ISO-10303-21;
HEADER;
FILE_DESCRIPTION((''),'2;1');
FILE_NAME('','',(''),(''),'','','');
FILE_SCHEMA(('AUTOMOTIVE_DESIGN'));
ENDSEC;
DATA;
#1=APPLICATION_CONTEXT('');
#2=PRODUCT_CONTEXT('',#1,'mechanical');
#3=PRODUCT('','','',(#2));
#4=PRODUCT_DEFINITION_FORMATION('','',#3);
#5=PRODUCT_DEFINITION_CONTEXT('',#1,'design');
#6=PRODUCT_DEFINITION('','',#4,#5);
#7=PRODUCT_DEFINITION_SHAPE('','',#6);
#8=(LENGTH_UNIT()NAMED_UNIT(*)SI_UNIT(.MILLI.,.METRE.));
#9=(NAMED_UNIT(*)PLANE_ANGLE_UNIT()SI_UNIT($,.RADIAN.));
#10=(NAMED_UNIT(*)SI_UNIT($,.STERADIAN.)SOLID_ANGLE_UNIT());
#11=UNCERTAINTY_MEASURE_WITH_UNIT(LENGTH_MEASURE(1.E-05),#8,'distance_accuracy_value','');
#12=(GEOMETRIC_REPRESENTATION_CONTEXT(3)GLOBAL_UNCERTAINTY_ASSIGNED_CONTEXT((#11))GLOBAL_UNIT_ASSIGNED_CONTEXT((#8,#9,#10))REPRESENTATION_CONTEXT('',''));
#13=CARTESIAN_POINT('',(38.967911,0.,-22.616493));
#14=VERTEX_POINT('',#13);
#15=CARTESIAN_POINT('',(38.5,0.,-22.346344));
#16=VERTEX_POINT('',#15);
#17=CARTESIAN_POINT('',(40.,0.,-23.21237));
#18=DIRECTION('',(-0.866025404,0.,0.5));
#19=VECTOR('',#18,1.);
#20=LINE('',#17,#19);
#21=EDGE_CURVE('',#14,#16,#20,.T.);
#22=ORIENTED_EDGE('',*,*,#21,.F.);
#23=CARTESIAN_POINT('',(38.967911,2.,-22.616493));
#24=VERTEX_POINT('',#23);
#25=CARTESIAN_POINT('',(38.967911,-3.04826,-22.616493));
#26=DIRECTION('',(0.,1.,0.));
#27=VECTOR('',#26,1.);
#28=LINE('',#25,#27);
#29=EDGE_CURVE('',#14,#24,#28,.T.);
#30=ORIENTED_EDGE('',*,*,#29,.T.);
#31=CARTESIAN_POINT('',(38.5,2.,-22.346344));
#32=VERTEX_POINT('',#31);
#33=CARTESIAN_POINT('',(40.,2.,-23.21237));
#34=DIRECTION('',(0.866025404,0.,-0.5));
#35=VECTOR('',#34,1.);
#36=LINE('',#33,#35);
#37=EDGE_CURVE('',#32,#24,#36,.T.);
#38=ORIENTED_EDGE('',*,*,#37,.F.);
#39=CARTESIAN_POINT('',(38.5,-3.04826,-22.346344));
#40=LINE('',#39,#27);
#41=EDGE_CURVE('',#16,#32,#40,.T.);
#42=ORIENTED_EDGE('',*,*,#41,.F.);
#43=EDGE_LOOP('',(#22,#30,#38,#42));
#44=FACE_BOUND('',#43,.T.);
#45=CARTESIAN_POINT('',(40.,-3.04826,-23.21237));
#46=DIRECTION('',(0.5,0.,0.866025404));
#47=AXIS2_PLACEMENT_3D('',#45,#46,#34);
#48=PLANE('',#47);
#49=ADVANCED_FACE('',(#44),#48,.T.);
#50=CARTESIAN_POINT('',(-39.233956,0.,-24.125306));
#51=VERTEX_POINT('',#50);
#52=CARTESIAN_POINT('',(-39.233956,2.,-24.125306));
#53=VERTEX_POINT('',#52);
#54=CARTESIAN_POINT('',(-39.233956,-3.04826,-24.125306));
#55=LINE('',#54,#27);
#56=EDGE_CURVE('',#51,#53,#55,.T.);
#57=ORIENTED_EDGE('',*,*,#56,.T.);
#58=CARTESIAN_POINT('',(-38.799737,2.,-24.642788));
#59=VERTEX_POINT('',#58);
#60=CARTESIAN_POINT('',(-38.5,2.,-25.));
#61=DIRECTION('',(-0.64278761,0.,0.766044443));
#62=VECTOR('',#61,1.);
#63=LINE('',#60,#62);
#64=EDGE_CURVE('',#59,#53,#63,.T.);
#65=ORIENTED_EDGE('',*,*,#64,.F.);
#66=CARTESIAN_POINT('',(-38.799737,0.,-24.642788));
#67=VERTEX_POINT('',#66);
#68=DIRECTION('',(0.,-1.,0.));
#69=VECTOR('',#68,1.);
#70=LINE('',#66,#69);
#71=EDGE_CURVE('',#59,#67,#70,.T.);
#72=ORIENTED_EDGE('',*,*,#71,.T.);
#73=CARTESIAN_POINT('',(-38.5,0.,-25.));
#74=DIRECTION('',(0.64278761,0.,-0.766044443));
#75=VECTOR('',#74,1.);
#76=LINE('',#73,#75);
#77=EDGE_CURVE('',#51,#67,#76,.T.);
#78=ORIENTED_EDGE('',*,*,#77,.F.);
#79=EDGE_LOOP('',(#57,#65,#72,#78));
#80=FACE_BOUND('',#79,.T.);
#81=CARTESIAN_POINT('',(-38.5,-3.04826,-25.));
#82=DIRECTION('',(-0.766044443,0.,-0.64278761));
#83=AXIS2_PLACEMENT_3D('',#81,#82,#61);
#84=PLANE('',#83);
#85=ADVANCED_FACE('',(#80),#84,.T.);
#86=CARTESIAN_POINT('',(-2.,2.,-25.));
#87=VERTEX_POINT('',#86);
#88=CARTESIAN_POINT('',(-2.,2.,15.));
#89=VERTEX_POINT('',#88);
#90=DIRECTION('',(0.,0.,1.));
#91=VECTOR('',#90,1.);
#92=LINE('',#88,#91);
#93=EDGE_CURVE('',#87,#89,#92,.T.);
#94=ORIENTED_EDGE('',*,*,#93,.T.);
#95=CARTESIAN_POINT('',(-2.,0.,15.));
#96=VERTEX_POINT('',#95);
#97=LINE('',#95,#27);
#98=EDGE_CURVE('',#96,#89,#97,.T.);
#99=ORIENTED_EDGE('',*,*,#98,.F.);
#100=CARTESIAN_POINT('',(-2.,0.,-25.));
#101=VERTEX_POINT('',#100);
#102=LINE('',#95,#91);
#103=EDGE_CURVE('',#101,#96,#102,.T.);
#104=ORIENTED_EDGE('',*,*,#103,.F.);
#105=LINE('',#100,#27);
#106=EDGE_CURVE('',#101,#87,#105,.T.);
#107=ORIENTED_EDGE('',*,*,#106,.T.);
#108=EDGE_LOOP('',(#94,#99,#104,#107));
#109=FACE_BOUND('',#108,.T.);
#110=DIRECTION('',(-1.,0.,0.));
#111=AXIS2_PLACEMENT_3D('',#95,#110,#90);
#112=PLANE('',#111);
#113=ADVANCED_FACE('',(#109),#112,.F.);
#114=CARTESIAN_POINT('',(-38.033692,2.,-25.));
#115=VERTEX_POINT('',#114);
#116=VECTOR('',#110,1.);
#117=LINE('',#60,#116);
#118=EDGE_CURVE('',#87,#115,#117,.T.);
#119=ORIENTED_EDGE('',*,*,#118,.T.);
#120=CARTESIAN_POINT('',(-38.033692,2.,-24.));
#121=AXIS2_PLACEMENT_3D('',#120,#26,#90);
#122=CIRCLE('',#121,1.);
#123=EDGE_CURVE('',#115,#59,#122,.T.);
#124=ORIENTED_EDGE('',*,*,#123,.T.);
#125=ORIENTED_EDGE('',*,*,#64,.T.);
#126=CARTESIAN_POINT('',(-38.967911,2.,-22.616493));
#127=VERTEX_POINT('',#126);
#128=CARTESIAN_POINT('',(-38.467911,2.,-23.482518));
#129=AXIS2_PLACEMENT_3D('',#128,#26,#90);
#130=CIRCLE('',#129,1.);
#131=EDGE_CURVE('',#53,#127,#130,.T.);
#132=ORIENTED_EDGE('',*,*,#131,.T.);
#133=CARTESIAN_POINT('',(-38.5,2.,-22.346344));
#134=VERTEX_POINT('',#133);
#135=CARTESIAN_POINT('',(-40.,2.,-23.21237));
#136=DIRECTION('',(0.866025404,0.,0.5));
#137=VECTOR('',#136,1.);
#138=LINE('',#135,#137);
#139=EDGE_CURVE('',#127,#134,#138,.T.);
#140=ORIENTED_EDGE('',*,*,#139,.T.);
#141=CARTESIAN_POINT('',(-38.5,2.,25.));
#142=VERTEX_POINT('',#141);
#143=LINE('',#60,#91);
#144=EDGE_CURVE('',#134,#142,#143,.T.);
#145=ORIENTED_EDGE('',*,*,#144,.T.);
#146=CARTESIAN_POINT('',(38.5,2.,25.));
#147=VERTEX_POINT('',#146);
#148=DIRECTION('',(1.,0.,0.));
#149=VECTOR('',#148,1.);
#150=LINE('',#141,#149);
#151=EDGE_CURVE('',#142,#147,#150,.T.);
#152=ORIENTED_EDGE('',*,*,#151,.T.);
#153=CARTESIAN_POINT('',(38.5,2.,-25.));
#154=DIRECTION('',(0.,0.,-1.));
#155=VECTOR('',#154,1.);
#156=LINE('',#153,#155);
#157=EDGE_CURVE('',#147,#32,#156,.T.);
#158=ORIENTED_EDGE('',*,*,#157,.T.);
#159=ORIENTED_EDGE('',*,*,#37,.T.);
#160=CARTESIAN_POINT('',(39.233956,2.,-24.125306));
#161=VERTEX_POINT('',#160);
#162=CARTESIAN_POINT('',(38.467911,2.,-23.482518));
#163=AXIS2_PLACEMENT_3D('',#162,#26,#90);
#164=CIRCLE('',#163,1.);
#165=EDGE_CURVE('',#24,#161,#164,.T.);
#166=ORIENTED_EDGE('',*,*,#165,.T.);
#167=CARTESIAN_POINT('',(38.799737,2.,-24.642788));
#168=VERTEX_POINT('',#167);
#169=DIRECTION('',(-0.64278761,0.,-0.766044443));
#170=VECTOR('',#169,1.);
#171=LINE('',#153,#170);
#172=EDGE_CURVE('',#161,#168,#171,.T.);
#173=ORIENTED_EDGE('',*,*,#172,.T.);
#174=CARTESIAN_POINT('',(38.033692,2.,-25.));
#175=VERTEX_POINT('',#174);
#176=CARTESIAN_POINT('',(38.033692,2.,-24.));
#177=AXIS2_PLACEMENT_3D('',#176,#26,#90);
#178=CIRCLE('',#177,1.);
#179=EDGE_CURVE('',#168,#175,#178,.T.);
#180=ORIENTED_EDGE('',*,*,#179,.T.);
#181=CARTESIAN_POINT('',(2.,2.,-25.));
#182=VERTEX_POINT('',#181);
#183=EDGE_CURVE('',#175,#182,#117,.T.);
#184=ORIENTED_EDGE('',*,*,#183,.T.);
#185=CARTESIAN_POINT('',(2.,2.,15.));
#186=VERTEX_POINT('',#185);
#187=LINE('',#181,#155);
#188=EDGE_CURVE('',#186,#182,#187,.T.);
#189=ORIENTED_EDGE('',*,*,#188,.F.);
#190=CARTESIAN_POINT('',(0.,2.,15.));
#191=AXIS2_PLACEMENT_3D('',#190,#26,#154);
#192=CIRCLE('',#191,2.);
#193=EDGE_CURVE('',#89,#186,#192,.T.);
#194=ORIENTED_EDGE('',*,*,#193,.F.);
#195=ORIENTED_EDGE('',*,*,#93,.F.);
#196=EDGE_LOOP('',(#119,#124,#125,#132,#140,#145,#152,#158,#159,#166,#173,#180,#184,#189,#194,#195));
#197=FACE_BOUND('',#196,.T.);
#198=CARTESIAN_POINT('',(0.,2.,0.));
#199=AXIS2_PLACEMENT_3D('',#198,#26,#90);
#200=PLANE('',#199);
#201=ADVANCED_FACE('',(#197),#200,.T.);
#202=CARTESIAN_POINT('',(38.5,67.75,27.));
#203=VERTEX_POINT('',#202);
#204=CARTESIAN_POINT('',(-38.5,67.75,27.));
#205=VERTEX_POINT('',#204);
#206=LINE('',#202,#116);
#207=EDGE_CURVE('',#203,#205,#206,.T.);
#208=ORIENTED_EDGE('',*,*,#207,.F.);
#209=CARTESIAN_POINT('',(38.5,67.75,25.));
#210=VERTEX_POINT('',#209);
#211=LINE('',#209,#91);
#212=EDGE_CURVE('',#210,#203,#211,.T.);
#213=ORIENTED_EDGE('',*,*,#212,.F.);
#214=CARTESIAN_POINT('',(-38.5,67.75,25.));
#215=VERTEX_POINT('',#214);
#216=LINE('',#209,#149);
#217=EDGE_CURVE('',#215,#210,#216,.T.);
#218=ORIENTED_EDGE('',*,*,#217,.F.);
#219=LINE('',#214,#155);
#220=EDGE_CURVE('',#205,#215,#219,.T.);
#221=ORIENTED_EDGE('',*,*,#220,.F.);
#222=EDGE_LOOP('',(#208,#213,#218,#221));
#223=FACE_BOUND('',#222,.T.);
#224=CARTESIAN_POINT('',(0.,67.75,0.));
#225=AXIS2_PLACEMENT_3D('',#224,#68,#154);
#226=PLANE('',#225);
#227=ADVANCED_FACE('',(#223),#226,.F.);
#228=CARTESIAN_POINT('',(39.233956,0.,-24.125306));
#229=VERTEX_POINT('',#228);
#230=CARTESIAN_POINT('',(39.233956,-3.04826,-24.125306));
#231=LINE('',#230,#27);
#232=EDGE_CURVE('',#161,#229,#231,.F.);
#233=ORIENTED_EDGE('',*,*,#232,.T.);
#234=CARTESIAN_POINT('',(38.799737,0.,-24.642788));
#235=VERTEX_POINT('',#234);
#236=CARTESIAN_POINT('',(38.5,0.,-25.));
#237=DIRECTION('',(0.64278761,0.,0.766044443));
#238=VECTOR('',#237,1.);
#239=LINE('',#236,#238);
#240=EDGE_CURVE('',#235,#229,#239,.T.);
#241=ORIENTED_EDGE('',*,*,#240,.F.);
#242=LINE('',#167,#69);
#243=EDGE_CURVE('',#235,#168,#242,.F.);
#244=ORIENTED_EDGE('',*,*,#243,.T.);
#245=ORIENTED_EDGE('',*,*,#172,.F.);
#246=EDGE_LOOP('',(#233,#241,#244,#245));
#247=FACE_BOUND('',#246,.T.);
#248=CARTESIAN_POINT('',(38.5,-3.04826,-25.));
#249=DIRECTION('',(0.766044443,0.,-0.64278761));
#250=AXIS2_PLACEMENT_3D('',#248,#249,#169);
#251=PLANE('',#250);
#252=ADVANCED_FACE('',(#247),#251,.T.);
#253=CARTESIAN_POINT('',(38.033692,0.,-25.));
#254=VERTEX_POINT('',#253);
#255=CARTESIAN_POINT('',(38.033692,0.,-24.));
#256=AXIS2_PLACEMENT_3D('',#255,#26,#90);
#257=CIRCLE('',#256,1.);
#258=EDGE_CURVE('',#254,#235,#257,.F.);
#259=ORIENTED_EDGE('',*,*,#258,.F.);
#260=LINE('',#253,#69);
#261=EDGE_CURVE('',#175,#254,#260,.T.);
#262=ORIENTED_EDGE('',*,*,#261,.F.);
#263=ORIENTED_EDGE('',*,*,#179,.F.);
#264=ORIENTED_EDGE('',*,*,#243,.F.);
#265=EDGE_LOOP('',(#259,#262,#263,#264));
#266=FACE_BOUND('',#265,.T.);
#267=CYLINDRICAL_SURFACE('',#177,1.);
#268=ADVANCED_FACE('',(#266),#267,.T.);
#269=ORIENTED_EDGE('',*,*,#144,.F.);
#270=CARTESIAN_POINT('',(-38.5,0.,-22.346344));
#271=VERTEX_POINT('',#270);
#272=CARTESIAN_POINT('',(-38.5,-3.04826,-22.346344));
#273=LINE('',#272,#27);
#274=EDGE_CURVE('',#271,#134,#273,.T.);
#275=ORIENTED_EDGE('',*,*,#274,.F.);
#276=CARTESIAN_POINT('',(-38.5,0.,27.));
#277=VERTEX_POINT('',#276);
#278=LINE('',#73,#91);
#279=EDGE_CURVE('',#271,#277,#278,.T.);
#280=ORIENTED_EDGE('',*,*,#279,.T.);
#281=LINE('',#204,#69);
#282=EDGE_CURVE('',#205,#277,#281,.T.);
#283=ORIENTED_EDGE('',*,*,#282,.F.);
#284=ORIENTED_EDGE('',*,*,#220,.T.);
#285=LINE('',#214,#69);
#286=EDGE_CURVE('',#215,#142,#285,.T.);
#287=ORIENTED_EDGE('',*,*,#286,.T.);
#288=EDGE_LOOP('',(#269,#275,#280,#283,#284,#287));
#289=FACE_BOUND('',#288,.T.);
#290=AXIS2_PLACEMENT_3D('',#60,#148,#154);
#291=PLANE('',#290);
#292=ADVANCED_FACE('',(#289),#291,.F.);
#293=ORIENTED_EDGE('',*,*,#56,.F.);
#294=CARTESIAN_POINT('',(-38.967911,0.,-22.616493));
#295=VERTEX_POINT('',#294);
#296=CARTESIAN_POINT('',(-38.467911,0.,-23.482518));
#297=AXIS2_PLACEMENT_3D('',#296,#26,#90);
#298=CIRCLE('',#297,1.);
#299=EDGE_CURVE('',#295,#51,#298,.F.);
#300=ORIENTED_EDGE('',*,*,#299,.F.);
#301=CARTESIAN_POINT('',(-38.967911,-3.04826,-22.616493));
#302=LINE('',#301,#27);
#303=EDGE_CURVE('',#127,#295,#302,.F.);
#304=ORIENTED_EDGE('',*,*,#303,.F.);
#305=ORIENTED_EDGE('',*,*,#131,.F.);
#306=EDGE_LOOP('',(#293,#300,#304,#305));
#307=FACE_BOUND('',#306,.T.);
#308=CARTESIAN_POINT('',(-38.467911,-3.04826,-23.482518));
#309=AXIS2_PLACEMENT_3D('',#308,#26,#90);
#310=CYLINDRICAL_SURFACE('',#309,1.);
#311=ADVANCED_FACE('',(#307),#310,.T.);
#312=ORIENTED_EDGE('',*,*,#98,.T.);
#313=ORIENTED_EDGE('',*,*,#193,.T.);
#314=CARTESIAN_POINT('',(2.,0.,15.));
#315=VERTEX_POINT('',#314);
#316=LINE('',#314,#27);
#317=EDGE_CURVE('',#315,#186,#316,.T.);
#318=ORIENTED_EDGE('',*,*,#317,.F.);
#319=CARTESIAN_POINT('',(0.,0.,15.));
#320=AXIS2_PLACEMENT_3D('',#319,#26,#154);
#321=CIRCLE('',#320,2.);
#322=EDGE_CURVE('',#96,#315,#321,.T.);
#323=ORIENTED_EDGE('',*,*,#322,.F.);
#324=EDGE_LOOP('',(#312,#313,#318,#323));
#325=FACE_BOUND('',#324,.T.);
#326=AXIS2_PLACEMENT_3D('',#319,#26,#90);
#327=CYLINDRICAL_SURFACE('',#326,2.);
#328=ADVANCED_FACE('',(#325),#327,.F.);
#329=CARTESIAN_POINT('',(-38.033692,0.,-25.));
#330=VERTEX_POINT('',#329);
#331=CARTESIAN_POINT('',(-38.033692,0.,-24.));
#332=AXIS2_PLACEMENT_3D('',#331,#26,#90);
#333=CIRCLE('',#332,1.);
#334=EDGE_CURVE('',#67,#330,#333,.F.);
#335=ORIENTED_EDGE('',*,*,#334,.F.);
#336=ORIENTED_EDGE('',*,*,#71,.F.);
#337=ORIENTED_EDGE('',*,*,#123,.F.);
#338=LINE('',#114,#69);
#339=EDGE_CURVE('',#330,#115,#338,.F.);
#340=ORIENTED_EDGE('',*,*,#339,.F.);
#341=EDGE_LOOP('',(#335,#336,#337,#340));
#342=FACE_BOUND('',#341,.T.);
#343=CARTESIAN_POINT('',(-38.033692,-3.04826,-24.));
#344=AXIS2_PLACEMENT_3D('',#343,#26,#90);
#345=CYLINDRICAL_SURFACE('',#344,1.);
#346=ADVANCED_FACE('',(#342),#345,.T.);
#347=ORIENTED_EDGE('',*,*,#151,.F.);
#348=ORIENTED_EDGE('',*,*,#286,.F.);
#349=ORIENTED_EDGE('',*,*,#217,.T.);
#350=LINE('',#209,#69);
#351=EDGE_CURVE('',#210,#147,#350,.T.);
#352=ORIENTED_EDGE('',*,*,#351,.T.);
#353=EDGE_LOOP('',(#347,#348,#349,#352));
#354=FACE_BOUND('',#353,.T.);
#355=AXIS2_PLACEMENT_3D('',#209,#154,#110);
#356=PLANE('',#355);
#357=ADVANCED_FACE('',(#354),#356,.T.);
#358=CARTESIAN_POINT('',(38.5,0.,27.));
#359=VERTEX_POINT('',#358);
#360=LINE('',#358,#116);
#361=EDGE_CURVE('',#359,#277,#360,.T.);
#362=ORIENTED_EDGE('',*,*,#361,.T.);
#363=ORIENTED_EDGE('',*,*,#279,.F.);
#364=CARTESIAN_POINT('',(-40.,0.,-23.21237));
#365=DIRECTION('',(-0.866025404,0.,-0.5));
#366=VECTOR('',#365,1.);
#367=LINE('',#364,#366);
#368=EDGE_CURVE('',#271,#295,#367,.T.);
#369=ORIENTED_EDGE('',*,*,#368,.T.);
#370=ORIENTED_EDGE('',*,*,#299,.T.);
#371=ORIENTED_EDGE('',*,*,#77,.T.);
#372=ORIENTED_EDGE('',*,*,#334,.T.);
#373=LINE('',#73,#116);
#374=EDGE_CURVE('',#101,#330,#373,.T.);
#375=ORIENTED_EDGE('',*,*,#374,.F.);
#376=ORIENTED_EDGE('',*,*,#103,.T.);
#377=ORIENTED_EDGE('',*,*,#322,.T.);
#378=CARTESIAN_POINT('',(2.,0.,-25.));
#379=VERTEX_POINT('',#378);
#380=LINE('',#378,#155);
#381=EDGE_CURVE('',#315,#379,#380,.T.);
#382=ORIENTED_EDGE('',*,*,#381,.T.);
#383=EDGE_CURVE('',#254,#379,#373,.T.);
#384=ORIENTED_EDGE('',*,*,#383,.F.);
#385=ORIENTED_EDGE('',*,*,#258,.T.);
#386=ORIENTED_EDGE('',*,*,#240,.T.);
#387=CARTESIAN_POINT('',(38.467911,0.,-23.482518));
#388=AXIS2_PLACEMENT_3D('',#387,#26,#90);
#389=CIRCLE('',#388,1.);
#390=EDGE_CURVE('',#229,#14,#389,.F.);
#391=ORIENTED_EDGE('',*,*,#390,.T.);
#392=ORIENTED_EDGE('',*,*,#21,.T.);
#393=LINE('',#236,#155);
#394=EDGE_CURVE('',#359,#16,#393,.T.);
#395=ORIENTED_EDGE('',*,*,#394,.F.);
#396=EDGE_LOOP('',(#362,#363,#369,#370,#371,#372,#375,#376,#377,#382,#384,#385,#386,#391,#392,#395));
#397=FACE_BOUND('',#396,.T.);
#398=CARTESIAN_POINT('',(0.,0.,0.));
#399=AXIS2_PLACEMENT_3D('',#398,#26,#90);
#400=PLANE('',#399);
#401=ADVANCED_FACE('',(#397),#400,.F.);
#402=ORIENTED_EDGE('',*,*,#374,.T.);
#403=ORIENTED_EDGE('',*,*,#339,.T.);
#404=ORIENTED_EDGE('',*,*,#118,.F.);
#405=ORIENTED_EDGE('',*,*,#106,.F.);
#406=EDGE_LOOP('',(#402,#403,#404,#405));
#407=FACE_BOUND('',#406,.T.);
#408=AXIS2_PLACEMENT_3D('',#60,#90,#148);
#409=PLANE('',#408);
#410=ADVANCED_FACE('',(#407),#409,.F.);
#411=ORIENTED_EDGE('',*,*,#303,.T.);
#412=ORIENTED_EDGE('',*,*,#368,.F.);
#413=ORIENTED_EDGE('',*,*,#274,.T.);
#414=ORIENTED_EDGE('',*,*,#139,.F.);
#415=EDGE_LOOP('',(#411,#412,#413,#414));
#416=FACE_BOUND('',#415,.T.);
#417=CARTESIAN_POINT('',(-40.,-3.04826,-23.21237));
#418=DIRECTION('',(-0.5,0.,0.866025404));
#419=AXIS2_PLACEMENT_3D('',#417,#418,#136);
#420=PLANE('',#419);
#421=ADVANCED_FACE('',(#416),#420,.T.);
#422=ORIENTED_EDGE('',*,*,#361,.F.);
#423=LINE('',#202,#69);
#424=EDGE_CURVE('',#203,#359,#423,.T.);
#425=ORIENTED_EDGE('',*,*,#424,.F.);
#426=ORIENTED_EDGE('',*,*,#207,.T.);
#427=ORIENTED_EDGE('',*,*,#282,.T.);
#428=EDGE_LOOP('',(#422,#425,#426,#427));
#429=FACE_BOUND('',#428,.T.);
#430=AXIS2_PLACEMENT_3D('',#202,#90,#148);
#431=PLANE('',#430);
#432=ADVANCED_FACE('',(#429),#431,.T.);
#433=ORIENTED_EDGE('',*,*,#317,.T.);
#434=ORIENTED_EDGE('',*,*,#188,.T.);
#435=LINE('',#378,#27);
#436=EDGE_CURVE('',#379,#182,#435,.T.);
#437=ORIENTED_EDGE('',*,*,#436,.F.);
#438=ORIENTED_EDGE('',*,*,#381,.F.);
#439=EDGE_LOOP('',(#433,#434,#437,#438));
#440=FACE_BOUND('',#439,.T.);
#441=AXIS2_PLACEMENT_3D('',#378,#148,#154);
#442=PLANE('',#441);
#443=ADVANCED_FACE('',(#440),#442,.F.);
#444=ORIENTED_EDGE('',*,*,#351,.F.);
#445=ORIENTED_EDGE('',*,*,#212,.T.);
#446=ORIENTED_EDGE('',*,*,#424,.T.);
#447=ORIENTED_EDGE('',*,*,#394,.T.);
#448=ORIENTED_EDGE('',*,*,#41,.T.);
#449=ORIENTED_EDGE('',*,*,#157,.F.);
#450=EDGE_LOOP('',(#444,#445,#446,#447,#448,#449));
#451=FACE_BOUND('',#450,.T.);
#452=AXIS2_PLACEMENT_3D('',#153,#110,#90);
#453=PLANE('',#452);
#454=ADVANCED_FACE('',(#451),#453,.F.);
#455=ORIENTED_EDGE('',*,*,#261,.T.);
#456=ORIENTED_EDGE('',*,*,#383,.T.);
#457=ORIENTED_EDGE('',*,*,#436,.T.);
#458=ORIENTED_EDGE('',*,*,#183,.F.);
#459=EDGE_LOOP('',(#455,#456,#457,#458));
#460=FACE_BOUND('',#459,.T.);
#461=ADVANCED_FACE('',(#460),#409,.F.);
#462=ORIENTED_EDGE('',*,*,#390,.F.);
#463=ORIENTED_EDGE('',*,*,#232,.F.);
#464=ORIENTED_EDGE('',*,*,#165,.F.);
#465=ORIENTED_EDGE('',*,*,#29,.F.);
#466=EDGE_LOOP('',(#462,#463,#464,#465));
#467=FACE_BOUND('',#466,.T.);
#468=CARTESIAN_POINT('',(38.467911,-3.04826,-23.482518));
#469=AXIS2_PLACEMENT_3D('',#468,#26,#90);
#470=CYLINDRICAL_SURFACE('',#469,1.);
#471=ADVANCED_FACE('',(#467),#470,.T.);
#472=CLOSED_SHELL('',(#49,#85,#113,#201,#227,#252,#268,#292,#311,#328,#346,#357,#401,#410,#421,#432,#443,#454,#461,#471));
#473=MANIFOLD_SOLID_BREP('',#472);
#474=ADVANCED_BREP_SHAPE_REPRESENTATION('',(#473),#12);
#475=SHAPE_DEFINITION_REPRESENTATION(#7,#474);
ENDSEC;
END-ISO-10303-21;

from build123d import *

# Parameters (mm, degrees)
SKETCH1_W           = 77
SKETCH1_H           = 50
BOSS_EXTRUDE1_DEPTH = 2
SKETCH2_W           = 77
SKETCH2_H           = 2
BOSS_EXTRUDE2_DEPTH = 67.75
CUT_EXTRUDE1_DEPTH  = 81.835094483
BOSS_EXTRUDE3_DEPTH = 2
FILLET1_R           = 1


with BuildPart() as part:
    # Sketch1 → Boss-Extrude1 (new body)
    with BuildSketch(Plane(origin=(0, 0, 0), x_dir=(1, 0, 0), z_dir=(0, 1, 0))):
        Rectangle(SKETCH1_W, SKETCH1_H)
    extrude(amount=BOSS_EXTRUDE1_DEPTH)

    # Sketch2 → Boss-Extrude2 (add)
    with BuildSketch(Plane.XZ):
        with Locations((0, 26)):
            Rectangle(SKETCH2_W, SKETCH2_H)
    extrude(amount=-BOSS_EXTRUDE2_DEPTH)

    # Sketch3 → Cut-Extrude1 (cut, through all)
    with BuildSketch(Plane(origin=(0, 2, 0), x_dir=(1, 0, 0), z_dir=(0, 1, 0))):
        with BuildLine():
            Line((2, 25), (2, -15))
            ThreePointArc((2, -15), (0, -17), (-2, -15))
            Line((-2, -15), (-2, 25))
            Line((-2, 25), (2, 25))
        make_face()
    extrude(amount=-CUT_EXTRUDE1_DEPTH, mode=Mode.SUBTRACT)

    # Sketch4 → Boss-Extrude3 (add)
    with BuildSketch(Plane(origin=(0, 2, 0), x_dir=(1, 0, 0), z_dir=(0, 1, 0))):
        Polygon((-38.5, 25), (-40, 23.212369611), (-38.5, 22.346344207), align=None)
        Polygon((40, 23.212369611), (38.5, 22.346344207), (38.5, 25), align=None)
    extrude(amount=-BOSS_EXTRUDE3_DEPTH)

    # Fillet1
    fillet1_edges = [part.edges().sort_by_distance(p)[0] for p in [
        (-40, 1, -23.212369611),
        (40, 1, -23.212369611),
        (-38.5, 1, -25),
        (38.5, 1, -25),
    ]]
    fillet(fillet1_edges, radius=FILLET1_R)


solid = part.part
